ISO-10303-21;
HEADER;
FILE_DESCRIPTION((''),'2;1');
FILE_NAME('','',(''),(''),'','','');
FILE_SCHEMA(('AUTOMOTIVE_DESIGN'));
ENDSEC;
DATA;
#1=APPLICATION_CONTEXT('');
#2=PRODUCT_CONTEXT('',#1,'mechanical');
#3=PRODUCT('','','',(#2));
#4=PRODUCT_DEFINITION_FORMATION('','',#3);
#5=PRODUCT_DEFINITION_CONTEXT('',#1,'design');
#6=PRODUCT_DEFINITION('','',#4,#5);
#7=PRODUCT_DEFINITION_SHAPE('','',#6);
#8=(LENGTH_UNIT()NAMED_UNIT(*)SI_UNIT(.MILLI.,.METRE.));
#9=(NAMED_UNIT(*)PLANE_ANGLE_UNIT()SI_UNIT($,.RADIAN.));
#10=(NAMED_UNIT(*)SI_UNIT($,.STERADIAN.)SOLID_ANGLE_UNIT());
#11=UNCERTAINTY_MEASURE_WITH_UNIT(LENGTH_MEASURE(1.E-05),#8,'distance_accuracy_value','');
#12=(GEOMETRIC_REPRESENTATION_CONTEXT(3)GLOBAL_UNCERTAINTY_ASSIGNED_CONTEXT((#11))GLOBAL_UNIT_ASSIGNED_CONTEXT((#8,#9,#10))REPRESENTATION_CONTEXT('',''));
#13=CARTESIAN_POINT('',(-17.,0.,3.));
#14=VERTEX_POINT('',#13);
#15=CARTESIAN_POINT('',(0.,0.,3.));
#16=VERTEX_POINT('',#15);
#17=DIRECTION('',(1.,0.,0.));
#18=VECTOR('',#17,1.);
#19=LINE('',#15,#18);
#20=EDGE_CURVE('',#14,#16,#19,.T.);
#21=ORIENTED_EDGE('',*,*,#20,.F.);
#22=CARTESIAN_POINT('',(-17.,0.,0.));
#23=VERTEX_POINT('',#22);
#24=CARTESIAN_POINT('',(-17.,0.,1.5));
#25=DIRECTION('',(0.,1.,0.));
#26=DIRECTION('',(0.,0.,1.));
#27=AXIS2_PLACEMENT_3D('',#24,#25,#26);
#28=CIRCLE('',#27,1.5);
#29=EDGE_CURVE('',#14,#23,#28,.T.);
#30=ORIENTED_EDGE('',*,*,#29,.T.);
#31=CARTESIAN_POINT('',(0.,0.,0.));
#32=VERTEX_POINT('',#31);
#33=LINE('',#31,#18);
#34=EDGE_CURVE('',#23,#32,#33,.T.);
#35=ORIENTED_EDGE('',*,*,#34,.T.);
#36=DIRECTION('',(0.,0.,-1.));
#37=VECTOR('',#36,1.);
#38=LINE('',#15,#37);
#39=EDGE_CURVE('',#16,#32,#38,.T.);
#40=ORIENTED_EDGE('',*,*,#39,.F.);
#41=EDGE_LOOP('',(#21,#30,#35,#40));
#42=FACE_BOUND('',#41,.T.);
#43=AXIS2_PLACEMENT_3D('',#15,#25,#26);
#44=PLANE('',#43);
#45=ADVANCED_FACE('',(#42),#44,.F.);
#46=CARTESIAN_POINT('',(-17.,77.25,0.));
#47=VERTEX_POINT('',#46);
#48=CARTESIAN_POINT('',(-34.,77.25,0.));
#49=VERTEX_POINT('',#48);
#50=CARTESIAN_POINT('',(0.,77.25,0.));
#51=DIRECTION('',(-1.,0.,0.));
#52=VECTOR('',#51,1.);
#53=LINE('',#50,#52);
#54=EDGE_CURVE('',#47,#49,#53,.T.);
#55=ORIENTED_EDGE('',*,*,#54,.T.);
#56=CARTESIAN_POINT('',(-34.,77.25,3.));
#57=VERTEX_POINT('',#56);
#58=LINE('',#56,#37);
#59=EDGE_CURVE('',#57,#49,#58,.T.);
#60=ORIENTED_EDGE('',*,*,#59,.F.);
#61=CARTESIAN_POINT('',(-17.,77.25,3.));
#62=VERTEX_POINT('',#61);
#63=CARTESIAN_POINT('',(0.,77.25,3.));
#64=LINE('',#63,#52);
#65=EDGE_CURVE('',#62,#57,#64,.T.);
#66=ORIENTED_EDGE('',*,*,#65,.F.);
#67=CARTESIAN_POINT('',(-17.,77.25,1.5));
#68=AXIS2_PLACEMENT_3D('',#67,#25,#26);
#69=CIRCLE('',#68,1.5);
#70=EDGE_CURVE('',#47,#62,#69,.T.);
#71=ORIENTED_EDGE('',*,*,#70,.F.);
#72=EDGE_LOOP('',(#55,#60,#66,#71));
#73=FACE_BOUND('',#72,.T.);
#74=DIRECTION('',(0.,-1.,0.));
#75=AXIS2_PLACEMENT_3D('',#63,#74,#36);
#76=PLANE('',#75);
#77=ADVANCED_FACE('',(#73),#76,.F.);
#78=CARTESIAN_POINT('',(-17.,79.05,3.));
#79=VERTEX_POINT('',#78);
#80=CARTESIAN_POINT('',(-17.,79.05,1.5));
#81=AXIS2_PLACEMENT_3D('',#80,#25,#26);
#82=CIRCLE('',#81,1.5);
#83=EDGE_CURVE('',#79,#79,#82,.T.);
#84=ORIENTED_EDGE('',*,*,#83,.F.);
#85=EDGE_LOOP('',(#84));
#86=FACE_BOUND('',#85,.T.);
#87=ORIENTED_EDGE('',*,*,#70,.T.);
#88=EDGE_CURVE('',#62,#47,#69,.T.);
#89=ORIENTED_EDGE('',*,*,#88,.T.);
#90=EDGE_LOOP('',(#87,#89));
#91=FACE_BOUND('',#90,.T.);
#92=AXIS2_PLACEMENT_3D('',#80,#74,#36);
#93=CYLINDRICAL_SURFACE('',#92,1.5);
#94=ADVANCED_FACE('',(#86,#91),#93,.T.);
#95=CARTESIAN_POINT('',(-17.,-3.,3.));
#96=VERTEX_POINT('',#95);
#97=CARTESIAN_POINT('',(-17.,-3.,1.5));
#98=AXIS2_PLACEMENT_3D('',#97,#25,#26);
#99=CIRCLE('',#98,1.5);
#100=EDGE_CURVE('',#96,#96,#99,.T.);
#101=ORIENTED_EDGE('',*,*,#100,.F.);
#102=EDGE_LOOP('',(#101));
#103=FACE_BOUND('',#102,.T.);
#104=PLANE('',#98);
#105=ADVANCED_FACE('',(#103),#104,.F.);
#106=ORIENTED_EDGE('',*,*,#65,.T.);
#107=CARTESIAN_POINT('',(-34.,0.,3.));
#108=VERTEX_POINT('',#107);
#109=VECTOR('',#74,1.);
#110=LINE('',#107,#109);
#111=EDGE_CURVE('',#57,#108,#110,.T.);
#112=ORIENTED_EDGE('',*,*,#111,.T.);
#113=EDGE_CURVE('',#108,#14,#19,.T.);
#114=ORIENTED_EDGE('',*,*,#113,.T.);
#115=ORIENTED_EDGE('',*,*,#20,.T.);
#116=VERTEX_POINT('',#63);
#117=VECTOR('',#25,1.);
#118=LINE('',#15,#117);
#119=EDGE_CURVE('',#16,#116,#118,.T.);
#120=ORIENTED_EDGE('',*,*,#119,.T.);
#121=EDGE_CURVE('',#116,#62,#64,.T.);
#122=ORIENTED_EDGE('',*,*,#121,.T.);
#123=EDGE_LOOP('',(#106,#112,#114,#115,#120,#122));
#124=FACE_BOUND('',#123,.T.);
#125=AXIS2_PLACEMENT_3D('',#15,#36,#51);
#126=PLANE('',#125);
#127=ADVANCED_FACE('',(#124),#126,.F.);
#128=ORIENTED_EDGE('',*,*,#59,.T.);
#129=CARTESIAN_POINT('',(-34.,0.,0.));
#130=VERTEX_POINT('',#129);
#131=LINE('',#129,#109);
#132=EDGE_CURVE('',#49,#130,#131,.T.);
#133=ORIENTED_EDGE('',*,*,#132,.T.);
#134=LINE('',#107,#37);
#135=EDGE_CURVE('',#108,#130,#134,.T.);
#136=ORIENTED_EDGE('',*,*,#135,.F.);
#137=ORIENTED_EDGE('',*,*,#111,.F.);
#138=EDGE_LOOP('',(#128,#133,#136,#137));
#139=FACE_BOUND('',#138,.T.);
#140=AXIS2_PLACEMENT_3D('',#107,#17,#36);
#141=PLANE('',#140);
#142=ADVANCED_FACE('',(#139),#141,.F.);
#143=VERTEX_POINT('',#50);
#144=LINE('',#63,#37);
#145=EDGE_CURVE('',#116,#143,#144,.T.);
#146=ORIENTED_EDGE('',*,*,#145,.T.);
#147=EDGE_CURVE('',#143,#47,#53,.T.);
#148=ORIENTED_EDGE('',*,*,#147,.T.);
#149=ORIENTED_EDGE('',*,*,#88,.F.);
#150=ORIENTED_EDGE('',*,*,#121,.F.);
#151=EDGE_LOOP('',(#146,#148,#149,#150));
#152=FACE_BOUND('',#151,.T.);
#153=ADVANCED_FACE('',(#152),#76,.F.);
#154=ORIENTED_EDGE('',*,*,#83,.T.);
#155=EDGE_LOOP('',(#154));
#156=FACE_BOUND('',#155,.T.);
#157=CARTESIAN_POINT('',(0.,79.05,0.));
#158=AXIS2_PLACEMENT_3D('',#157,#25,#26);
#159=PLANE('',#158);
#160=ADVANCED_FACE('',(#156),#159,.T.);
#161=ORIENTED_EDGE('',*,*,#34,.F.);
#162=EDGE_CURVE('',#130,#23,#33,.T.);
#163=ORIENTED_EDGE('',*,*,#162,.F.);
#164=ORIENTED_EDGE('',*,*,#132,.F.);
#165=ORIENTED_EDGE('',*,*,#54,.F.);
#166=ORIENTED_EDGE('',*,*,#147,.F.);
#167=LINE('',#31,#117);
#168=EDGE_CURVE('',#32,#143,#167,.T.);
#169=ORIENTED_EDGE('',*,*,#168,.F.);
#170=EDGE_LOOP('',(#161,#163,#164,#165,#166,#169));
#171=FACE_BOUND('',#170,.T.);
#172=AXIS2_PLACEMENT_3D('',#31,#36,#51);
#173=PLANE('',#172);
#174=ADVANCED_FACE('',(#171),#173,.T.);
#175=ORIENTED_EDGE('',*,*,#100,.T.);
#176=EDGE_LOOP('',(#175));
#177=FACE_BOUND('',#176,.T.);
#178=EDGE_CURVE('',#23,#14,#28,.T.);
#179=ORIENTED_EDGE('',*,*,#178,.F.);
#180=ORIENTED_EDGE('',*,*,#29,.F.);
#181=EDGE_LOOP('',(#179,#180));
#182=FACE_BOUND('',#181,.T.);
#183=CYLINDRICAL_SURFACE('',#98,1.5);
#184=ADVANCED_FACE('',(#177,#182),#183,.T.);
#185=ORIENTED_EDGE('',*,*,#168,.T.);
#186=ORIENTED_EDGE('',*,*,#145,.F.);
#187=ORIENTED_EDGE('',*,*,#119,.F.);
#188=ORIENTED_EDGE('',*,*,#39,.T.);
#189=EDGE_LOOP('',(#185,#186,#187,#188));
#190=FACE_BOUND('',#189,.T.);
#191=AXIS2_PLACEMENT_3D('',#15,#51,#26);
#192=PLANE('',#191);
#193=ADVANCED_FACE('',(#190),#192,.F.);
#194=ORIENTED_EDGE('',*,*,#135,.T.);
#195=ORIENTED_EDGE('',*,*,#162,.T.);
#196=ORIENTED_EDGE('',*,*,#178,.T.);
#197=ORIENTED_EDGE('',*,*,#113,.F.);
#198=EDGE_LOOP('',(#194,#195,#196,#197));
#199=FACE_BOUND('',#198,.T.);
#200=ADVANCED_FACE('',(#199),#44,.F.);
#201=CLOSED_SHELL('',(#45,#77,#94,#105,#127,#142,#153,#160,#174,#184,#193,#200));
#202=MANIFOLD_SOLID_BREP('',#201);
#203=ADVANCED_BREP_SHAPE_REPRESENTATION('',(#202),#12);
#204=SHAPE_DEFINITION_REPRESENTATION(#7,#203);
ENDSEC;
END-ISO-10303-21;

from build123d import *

# Parameters (mm, degrees)
SKETCH1_W           = 77.25
SKETCH1_H           = 34
BOSS_EXTRUDE1_DEPTH = 3
BOSS_EXTRUDE2_DEPTH = 1.8
BOSS_EXTRUDE3_START = -80.25
BOSS_EXTRUDE3_DEPTH = 3


with BuildPart() as part:
    # Sketch1 → Boss-Extrude1 (new body)
    with BuildSketch(Plane(origin=(0, 0, 0), x_dir=(0, 1, 0), z_dir=(0, 0, 1))):
        with Locations((38.625, 17)):
            Rectangle(SKETCH1_W, SKETCH1_H)
    extrude(amount=BOSS_EXTRUDE1_DEPTH)

    # Sketch2 → Boss-Extrude2 (add)
    with BuildSketch(Plane(origin=(0, 77.25, 0), x_dir=(-1, 0, 0), z_dir=(0, 1, 0))):
        with BuildLine():
            ThreePointArc((18.5, 1.5), (18.060660172, 2.560660172), (17, 3))
            Line((17, 3), (17, 0))
            ThreePointArc((17, 0), (18.060660172, 0.439339828), (18.5, 1.5))
        make_face()
        with BuildLine():
            Line((17, 0), (17, 3))
            ThreePointArc((17, 3), (15.5, 1.5), (17, 0))
        make_face()
    extrude(amount=BOSS_EXTRUDE2_DEPTH)

    # Sketch2<4> → Boss-Extrude3 (add)
    with BuildSketch(Plane(origin=(0, 77.25, 0), x_dir=(-1, 0, 0), z_dir=(0, 1, 0)).offset(BOSS_EXTRUDE3_START)):
        with BuildLine():
            ThreePointArc((18.5, 1.5), (18.060660172, 2.560660172), (17, 3))
            Line((17, 3), (17, 0))
            ThreePointArc((17, 0), (18.060660172, 0.439339828), (18.5, 1.5))
        make_face()
        with BuildLine():
            Line((17, 0), (17, 3))
            ThreePointArc((17, 3), (15.5, 1.5), (17, 0))
        make_face()
    extrude(amount=BOSS_EXTRUDE3_DEPTH)


solid = part.part
